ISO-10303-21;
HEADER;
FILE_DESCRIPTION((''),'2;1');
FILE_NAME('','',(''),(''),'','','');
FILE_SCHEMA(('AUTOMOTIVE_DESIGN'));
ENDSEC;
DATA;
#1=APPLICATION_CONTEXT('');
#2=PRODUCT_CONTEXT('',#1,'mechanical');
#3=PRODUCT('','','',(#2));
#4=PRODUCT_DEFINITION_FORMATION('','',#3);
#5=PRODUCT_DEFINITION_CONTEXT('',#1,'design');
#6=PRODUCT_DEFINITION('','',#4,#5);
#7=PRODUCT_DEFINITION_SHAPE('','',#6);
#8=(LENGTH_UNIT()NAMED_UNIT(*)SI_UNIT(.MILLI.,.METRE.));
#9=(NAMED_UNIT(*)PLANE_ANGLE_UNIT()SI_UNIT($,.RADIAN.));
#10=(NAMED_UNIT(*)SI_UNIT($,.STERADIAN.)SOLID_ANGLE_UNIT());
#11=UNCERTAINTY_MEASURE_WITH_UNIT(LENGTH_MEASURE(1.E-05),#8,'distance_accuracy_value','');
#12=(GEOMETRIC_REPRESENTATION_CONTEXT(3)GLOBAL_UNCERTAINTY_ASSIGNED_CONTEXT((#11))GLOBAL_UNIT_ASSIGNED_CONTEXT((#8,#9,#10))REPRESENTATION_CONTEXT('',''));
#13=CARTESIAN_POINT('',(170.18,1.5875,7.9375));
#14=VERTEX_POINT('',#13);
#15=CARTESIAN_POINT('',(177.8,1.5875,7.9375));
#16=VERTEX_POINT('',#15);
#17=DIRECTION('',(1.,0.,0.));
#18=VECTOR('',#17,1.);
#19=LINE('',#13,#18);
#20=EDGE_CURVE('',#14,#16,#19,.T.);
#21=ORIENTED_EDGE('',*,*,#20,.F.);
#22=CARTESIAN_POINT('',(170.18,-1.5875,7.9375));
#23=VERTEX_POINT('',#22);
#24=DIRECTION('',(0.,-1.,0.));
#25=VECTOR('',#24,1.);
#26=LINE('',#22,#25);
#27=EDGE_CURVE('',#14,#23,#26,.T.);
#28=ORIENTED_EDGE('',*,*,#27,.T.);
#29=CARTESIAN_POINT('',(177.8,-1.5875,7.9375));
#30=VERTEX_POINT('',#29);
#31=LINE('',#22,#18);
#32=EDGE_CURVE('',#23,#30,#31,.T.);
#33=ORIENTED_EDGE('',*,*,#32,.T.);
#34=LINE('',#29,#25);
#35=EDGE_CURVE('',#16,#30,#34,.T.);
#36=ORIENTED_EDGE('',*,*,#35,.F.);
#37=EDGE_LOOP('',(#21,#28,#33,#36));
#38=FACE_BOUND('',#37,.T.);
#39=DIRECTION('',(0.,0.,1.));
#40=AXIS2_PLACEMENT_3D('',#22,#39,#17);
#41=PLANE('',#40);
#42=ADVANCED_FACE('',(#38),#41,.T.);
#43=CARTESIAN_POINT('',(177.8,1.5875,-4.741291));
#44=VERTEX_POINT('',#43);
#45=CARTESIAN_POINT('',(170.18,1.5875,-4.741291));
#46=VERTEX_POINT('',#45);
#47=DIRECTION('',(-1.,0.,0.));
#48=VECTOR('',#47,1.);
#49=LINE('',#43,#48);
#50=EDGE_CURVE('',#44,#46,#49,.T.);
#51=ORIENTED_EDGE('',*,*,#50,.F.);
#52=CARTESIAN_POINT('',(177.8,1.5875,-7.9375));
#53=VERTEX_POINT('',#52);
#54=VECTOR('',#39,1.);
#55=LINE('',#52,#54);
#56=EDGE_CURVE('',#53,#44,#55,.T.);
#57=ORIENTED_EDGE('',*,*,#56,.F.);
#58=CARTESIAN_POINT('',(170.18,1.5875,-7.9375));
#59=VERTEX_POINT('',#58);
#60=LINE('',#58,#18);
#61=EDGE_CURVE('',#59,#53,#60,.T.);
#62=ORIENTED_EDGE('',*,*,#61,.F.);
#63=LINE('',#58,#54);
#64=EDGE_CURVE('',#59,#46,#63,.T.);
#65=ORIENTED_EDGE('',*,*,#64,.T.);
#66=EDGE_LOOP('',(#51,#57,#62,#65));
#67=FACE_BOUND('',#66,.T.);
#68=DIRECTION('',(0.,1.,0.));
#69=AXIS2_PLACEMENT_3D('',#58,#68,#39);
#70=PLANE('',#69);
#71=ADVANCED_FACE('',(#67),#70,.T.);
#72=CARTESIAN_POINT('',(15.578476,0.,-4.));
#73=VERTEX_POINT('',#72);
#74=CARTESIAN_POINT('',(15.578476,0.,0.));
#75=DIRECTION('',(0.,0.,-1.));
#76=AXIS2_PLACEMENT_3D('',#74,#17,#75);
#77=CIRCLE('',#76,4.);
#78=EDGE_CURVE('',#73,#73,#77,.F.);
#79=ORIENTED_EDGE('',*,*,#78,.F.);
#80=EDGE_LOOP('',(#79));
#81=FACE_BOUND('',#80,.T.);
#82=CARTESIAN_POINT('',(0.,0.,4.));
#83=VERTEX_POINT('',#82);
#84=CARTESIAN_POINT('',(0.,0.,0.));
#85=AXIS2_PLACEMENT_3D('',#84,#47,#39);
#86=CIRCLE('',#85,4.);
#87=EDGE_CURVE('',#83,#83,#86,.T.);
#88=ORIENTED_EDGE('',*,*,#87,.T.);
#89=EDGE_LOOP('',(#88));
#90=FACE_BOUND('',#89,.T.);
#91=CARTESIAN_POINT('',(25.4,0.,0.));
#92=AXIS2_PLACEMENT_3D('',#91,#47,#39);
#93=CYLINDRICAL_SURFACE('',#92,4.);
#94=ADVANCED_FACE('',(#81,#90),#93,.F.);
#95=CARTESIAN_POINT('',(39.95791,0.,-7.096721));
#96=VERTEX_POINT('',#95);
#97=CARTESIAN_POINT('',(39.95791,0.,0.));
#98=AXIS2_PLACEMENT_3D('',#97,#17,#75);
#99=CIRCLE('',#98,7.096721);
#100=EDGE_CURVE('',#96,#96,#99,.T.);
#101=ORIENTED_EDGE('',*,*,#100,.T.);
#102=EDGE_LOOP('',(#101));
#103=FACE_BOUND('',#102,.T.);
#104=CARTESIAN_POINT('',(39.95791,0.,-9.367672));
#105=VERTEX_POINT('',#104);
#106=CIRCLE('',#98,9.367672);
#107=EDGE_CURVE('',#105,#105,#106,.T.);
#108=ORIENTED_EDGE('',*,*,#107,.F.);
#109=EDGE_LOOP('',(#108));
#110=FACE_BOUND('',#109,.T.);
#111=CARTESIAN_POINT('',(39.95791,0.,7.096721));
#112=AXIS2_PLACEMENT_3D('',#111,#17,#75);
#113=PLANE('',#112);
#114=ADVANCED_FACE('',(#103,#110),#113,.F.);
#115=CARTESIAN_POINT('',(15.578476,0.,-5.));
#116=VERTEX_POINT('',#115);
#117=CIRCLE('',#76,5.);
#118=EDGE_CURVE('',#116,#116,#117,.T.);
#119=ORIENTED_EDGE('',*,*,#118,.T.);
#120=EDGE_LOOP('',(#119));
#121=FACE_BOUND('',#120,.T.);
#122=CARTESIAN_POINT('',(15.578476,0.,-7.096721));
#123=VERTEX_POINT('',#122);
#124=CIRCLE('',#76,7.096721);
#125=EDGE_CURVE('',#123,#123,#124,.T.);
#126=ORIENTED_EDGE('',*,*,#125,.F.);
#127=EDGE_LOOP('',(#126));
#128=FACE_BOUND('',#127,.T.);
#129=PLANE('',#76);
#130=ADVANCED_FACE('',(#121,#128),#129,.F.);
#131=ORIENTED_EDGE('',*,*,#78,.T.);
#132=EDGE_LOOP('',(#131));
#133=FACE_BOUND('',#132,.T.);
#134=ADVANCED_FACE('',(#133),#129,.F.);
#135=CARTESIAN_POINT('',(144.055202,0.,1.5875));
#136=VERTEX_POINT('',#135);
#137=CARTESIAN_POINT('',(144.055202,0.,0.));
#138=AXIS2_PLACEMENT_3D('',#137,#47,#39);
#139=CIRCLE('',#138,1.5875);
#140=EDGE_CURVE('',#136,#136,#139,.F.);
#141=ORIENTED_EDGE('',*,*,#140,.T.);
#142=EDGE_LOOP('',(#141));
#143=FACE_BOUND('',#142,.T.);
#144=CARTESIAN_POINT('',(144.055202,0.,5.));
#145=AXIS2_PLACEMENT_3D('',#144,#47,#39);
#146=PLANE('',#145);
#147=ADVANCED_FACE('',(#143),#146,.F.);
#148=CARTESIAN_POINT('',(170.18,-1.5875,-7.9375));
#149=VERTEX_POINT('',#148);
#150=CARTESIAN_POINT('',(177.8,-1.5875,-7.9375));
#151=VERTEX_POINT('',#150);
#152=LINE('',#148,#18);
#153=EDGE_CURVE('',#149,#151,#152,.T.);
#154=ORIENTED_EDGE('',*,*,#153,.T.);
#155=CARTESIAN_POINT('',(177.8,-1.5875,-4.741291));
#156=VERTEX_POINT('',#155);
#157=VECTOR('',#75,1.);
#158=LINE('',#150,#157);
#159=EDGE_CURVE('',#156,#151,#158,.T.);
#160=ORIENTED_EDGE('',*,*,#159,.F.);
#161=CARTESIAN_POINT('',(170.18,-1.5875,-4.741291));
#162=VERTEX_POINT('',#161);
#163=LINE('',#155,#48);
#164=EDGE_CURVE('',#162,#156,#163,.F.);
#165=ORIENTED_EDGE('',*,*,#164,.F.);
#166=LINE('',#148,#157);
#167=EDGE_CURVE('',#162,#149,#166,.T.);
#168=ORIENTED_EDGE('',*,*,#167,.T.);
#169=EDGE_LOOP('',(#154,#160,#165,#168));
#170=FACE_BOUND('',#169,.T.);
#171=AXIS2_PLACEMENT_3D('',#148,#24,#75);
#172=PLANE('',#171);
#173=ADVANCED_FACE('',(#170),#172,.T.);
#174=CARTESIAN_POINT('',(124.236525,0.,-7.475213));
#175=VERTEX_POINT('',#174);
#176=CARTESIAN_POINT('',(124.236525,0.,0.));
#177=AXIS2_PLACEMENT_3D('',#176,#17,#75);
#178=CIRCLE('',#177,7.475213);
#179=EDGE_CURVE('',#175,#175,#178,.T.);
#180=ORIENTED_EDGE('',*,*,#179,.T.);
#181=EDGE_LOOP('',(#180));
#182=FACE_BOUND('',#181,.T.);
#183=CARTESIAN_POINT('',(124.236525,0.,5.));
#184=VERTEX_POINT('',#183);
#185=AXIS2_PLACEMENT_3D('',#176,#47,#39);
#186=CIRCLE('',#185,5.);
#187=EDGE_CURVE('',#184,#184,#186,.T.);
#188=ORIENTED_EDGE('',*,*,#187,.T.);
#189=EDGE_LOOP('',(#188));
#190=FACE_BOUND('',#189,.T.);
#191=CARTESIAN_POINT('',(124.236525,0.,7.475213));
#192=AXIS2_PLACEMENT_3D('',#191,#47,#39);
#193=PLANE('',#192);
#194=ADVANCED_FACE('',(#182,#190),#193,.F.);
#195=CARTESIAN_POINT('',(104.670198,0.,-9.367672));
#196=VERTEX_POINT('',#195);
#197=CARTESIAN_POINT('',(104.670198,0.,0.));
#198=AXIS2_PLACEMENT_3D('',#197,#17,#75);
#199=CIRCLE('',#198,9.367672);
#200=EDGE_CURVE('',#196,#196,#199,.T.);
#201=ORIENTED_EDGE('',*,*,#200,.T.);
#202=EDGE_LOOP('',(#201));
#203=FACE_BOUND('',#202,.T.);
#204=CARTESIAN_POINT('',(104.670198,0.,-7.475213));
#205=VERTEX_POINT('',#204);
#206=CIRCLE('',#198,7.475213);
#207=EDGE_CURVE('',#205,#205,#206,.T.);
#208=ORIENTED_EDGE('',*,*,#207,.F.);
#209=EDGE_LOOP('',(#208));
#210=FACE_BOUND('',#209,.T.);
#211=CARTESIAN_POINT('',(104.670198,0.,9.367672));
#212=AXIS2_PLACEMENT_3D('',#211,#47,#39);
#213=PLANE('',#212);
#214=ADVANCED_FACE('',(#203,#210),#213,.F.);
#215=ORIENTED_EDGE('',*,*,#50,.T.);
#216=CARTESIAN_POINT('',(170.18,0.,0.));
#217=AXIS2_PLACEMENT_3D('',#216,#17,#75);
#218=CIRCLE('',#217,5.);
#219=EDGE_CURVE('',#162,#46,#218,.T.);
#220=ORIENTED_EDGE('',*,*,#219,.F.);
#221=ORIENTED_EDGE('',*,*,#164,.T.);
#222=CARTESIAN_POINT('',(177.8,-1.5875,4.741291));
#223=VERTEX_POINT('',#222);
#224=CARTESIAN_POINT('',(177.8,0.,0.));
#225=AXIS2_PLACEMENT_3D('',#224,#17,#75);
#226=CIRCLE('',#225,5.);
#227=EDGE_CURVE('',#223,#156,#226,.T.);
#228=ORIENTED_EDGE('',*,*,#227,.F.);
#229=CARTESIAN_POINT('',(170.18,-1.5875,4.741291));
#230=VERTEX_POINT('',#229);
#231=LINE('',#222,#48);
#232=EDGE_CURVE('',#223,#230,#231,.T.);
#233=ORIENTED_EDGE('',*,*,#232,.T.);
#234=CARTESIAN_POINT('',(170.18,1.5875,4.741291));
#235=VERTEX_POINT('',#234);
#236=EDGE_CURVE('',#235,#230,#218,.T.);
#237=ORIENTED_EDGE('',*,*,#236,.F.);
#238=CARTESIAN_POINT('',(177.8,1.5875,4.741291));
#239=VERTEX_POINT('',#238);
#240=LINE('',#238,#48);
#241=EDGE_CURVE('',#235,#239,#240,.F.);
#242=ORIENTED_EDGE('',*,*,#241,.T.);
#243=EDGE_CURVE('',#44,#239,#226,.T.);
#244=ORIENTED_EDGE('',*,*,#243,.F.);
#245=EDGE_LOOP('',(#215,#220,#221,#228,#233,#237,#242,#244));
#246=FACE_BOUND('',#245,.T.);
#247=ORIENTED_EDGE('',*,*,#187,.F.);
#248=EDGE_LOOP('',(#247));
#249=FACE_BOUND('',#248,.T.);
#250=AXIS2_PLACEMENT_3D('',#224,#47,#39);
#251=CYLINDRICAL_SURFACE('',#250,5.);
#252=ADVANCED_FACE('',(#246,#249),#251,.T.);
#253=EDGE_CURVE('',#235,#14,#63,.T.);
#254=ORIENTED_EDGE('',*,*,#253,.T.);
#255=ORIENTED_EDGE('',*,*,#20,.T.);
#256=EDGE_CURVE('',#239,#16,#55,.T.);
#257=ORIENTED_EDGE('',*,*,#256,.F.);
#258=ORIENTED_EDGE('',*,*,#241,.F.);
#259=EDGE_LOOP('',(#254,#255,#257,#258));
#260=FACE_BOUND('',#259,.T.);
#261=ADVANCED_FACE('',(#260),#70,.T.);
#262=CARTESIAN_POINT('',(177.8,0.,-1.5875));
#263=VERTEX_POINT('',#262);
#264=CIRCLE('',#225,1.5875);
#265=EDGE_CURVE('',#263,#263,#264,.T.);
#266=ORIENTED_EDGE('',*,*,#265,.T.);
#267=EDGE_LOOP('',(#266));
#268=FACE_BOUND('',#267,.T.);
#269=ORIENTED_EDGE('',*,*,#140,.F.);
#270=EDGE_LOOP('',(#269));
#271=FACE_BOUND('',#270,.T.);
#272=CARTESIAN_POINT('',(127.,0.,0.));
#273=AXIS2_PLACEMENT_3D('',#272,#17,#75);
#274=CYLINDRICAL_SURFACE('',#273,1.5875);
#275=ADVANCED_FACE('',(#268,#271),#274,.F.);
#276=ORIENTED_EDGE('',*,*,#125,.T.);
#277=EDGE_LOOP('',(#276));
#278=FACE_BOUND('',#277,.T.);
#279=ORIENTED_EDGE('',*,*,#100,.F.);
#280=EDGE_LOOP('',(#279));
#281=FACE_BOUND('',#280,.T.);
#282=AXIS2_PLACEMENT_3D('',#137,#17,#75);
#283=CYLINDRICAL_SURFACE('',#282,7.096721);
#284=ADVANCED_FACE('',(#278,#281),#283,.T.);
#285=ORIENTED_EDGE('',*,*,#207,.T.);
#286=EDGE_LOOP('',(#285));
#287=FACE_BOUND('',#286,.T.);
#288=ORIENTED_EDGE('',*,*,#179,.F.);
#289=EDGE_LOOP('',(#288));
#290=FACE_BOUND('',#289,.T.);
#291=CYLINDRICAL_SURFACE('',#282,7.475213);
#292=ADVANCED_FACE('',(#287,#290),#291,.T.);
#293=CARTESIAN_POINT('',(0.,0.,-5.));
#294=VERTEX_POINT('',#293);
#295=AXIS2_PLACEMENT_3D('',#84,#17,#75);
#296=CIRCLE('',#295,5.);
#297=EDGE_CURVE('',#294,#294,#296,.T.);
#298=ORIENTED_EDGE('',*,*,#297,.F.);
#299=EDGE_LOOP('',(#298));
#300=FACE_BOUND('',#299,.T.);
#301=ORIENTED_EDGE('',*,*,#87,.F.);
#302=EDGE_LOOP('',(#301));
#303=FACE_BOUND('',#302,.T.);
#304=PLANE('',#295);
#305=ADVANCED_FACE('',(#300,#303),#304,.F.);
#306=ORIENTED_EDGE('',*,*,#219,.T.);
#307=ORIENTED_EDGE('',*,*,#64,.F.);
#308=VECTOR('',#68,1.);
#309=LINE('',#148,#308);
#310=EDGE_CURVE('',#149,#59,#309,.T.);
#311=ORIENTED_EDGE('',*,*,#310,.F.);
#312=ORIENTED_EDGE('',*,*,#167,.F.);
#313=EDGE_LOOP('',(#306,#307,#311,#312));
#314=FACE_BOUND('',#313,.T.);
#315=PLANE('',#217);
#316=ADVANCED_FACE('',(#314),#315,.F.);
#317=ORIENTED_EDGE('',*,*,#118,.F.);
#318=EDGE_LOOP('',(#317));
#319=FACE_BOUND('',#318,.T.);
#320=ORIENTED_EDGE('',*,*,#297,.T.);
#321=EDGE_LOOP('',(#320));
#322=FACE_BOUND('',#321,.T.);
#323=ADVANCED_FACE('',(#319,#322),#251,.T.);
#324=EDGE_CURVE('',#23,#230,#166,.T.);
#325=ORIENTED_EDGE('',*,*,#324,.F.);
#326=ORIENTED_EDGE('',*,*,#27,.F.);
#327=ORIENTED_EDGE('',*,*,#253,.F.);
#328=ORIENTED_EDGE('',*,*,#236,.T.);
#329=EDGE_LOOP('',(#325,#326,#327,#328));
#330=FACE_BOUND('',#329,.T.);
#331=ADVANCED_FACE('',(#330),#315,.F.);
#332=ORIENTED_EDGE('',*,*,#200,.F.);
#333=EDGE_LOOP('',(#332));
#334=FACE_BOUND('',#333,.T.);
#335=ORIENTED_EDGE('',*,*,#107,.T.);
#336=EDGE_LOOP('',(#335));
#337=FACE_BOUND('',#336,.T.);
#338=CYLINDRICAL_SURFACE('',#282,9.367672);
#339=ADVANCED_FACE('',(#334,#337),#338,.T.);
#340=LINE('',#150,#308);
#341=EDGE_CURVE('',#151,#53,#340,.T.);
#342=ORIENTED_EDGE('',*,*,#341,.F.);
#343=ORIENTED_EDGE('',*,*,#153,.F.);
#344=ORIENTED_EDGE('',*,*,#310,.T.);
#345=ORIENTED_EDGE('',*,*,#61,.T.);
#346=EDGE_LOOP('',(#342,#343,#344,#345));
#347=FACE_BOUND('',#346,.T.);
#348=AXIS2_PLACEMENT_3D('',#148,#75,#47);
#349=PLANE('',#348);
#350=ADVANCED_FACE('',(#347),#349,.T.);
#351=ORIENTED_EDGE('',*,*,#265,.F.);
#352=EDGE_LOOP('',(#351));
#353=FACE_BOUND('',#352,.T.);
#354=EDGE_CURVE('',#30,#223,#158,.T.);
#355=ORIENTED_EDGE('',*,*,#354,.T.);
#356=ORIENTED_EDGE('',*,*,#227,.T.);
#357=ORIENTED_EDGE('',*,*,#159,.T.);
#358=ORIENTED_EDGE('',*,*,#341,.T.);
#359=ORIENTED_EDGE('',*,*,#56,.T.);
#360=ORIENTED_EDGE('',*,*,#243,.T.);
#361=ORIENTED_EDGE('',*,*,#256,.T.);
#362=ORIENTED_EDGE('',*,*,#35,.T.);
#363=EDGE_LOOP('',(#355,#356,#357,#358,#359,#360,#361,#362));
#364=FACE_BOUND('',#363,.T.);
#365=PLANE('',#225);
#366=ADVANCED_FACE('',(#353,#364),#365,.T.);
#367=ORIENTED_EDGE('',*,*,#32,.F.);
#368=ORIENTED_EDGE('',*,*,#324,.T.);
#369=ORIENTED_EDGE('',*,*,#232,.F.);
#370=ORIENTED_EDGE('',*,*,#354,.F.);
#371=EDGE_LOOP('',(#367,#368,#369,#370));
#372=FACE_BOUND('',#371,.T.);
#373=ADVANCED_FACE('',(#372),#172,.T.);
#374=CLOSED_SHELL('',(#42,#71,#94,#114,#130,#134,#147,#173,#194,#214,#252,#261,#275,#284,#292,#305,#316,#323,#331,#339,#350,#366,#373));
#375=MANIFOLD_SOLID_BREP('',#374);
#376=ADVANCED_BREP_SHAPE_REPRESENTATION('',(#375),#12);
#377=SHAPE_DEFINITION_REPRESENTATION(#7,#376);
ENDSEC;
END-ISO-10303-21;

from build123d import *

# Parameters (mm, degrees)
SKETCH1_R            = 5
SHAFT_DEPTH          = 177.8
SKETCH2_W            = 15.875
SKETCH2_H            = 3.175
SHAFT_KEY_MALE_DEPTH = 7.62
SKETCH3_R            = 1.5875
BOLT_BORE_DEPTH      = 50.8
SKETCH4_R            = 4
CUT_EXTRUDE1_DEPTH   = 25.4


with BuildPart() as part:
    # Sketch1 → Shaft (new body)
    with BuildSketch(Plane(origin=(0, 0, 0), x_dir=(0, 0, -1), z_dir=(1, 0, 0))):
        Circle(SKETCH1_R)
    extrude(amount=SHAFT_DEPTH)

    # Sketch2 → Shaft Key Male (add)
    with BuildSketch(Plane(origin=(177.8, 0, 0), x_dir=(0, 0, -1), z_dir=(1, 0, 0))):
        Rectangle(SKETCH2_W, SKETCH2_H)
    extrude(amount=-SHAFT_KEY_MALE_DEPTH)

    # Sketch3 → Bolt Bore (cut)
    with BuildSketch(Plane(origin=(177.8, 0, 0), x_dir=(0, 0, -1), z_dir=(1, 0, 0))):
        Circle(SKETCH3_R)
    extrude(amount=-BOLT_BORE_DEPTH, mode=Mode.SUBTRACT)

    # Sketch4 → Cut-Extrude1 (cut)
    with BuildSketch(Plane.ZY):
        Circle(SKETCH4_R)
    extrude(amount=-CUT_EXTRUDE1_DEPTH, mode=Mode.SUBTRACT)

    # Sketch5 → Revolve1 (revolve)
    with BuildSketch(Plane(origin=(0, 0, 0), x_dir=(1, 0, 0), z_dir=(0, 1, 0)), mode=Mode.PRIVATE) as revolve1_sk:
        Polygon((144.055202203, 0), (15.578475915, 0), (15.578475915, -7.096721058), (39.957910275, -7.096721058), (39.957910275, -9.367671796), (104.670198298, -9.367671796), (104.670198298, -7.475212847), (124.236525445, -7.475212847), (124.236525445, -5), (144.055202203, -5), align=None)
    revolve(revolve1_sk.sketch.rotate(Axis((144.055202203, 0, 0), (-1, 0, 0)), 180), axis=Axis((144.055202203, 0, 0), (-1, 0, 0)))


solid = part.part
